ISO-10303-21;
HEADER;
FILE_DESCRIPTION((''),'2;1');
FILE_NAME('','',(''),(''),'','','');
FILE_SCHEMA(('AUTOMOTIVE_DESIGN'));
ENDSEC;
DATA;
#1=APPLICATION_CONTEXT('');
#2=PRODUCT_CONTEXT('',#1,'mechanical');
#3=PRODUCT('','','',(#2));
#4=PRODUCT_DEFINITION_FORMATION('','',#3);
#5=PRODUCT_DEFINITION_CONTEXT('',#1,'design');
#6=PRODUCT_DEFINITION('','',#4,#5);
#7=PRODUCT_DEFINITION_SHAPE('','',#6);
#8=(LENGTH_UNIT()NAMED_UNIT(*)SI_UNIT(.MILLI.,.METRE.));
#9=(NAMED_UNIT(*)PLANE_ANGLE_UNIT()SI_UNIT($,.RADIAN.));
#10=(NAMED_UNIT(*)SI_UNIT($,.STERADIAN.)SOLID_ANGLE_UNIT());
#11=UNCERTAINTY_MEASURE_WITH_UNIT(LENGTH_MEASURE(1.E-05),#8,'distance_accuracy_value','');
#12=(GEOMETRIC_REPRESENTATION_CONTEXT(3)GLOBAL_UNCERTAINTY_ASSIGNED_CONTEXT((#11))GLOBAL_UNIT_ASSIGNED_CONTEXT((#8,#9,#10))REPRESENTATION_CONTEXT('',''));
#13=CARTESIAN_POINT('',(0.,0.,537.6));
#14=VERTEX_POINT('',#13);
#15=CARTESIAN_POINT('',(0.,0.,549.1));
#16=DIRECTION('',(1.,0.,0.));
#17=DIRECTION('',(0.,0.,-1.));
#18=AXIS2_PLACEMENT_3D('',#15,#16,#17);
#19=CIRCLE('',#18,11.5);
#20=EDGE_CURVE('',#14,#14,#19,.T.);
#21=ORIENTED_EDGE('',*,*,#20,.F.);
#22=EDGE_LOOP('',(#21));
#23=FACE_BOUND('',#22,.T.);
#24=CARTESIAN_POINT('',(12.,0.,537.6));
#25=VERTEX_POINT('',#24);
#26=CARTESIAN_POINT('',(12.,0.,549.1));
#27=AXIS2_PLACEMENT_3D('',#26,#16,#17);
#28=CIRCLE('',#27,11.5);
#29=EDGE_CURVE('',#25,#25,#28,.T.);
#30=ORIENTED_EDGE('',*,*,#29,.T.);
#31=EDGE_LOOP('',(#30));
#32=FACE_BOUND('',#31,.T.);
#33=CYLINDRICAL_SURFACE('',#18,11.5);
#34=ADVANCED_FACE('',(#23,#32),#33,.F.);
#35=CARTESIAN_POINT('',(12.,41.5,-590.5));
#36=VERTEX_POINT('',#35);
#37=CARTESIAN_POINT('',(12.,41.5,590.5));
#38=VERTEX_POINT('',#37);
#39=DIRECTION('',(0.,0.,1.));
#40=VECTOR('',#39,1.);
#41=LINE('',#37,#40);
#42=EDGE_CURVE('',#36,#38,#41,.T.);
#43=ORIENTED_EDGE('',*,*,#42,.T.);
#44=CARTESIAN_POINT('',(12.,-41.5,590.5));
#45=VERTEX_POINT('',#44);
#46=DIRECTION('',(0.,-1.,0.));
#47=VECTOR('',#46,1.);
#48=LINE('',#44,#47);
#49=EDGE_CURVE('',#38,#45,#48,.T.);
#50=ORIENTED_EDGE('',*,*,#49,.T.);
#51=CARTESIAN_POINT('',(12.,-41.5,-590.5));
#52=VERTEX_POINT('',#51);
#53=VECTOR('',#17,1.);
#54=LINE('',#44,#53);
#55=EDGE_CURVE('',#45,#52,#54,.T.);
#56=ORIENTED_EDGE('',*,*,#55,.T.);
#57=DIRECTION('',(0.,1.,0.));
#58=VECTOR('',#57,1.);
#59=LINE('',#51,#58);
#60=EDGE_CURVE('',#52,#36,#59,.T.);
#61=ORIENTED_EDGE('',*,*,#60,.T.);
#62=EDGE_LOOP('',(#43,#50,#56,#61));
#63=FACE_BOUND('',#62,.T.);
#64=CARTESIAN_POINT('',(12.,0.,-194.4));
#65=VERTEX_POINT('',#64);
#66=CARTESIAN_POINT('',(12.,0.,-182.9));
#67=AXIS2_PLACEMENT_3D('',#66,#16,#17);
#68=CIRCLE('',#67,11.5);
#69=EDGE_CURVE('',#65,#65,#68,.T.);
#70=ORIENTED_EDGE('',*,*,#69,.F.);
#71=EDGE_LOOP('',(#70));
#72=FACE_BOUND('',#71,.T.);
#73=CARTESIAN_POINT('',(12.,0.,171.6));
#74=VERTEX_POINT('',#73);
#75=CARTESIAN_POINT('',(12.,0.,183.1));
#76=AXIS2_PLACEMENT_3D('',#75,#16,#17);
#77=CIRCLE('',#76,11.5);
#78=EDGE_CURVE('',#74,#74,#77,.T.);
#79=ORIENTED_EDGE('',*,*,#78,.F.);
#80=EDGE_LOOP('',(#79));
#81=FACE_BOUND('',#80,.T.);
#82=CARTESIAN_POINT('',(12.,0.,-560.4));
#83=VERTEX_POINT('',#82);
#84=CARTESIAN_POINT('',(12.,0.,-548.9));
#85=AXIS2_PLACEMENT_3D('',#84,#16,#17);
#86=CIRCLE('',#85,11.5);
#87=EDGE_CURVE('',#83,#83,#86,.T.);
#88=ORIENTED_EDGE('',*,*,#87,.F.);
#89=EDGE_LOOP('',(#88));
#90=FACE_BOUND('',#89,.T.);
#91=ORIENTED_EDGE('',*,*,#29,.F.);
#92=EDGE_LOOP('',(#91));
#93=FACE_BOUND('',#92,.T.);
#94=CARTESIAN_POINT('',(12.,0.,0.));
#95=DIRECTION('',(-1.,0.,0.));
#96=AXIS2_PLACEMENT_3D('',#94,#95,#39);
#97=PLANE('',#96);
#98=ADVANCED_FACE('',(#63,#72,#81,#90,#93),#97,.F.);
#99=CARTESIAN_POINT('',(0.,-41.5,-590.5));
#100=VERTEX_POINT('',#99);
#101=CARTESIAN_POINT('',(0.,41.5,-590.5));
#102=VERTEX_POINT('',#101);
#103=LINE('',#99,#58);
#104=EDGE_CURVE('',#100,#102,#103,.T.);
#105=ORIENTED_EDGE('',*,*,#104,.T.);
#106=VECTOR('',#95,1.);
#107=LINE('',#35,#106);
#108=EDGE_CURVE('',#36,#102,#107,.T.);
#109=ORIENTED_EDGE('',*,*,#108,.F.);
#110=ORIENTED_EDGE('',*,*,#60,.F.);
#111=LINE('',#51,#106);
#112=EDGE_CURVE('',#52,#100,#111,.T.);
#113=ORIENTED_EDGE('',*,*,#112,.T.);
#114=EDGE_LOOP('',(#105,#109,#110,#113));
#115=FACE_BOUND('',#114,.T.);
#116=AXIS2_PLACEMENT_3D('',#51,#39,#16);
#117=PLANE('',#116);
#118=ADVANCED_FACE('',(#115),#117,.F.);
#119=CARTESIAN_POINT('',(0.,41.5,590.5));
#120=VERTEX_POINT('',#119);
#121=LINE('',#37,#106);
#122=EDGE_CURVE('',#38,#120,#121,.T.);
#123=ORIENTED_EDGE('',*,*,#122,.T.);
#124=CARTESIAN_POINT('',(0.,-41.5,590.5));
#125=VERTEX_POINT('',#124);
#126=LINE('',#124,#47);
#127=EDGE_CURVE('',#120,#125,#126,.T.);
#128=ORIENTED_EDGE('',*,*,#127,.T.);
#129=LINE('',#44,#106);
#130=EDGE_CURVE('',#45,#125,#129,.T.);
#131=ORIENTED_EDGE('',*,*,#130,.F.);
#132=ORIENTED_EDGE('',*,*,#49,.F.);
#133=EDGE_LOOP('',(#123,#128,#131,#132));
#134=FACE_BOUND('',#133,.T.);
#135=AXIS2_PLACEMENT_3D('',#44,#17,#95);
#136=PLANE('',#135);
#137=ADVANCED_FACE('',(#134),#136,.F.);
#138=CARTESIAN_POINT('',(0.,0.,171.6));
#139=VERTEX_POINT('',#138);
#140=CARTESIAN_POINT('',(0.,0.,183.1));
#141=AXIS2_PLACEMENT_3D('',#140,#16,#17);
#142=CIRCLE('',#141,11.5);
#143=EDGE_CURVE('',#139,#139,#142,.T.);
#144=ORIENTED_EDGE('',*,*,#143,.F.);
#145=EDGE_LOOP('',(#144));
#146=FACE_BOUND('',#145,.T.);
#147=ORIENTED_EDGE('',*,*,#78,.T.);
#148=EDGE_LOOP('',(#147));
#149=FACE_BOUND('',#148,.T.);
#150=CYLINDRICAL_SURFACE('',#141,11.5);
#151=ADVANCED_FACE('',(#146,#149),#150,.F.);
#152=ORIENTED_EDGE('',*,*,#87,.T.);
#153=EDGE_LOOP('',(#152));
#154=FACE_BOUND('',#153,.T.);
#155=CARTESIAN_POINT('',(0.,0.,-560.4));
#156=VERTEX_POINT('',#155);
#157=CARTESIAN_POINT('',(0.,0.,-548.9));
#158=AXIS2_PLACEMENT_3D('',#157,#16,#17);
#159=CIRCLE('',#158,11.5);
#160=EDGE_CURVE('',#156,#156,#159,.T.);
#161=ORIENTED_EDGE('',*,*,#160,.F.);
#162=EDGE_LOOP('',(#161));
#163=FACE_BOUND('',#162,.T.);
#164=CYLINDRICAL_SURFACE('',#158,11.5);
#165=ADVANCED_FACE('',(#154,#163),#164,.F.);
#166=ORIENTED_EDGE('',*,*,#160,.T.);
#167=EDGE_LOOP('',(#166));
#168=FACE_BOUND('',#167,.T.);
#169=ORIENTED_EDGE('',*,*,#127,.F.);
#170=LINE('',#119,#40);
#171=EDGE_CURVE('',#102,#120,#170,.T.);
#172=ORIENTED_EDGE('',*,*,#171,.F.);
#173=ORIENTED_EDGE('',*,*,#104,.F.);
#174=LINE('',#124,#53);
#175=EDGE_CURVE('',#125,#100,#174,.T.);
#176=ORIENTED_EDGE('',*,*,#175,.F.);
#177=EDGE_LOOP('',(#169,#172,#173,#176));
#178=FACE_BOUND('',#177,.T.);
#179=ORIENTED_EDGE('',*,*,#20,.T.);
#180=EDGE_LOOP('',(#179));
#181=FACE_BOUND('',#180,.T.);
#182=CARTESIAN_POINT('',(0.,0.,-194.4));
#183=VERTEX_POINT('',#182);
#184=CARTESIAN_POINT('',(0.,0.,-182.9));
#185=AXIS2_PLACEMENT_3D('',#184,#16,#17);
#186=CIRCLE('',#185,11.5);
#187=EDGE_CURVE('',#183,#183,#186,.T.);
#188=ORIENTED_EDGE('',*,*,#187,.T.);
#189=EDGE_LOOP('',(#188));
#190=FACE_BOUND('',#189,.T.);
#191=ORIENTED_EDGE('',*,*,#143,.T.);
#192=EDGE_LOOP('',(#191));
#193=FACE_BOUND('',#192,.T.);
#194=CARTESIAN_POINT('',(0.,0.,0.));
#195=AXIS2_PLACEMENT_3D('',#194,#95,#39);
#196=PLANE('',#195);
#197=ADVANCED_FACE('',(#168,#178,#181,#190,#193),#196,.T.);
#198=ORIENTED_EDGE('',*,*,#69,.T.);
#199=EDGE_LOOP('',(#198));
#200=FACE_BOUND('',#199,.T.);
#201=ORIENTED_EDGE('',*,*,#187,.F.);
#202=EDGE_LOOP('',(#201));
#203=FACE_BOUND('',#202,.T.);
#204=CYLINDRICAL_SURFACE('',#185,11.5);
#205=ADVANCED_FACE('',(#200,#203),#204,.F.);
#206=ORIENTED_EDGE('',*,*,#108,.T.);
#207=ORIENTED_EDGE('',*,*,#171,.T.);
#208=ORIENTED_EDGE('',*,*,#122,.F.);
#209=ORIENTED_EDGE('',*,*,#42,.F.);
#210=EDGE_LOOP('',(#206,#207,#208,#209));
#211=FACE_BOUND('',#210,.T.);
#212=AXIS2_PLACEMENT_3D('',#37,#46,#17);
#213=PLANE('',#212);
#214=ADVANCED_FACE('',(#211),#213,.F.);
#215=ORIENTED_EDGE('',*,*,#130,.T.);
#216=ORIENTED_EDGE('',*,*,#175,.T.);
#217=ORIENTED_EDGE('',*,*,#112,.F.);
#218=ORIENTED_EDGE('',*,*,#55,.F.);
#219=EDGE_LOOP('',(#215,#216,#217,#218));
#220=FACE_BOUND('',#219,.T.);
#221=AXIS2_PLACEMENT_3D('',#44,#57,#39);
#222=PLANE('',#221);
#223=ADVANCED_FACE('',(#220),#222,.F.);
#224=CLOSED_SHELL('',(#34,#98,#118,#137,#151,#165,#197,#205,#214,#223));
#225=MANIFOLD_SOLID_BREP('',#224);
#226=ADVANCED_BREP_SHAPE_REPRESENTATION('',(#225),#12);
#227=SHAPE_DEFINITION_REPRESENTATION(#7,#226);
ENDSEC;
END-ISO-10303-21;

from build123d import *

# Parameters (mm, degrees)
SKETCH1_W           = 1181
SKETCH1_H           = 83
BOSS_EXTRUDE1_DEPTH = 12
SKETCH2_R           = 11.5
CUT_EXTRUDE1_DEPTH  = 12
LPATTERN1_COUNT     = 4
LPATTERN1_PITCH     = 366


with BuildPart() as part:
    # Sketch1 → Boss-Extrude1 (new body)
    with BuildSketch(Plane(origin=(0, 0, 0), x_dir=(0, 0, -1), z_dir=(1, 0, 0))):
        Rectangle(SKETCH1_W, SKETCH1_H)
    extrude(amount=BOSS_EXTRUDE1_DEPTH)

    # Sketch2 → Cut-Extrude1 (cut)
    with BuildSketch(Plane(origin=(12, 0, 0), x_dir=(0, 0, -1), z_dir=(1, 0, 0))):
        with Locations((-549.1, 0)):
            Circle(SKETCH2_R)
    cut_extrude1 = extrude(amount=-CUT_EXTRUDE1_DEPTH, mode=Mode.SUBTRACT)

    # LPattern1: Cut-Extrude1 ×4
    with Locations(*[(0, 0, -i * LPATTERN1_PITCH) for i in range(1, LPATTERN1_COUNT)]):
        add(cut_extrude1, mode=Mode.SUBTRACT)


solid = part.part
